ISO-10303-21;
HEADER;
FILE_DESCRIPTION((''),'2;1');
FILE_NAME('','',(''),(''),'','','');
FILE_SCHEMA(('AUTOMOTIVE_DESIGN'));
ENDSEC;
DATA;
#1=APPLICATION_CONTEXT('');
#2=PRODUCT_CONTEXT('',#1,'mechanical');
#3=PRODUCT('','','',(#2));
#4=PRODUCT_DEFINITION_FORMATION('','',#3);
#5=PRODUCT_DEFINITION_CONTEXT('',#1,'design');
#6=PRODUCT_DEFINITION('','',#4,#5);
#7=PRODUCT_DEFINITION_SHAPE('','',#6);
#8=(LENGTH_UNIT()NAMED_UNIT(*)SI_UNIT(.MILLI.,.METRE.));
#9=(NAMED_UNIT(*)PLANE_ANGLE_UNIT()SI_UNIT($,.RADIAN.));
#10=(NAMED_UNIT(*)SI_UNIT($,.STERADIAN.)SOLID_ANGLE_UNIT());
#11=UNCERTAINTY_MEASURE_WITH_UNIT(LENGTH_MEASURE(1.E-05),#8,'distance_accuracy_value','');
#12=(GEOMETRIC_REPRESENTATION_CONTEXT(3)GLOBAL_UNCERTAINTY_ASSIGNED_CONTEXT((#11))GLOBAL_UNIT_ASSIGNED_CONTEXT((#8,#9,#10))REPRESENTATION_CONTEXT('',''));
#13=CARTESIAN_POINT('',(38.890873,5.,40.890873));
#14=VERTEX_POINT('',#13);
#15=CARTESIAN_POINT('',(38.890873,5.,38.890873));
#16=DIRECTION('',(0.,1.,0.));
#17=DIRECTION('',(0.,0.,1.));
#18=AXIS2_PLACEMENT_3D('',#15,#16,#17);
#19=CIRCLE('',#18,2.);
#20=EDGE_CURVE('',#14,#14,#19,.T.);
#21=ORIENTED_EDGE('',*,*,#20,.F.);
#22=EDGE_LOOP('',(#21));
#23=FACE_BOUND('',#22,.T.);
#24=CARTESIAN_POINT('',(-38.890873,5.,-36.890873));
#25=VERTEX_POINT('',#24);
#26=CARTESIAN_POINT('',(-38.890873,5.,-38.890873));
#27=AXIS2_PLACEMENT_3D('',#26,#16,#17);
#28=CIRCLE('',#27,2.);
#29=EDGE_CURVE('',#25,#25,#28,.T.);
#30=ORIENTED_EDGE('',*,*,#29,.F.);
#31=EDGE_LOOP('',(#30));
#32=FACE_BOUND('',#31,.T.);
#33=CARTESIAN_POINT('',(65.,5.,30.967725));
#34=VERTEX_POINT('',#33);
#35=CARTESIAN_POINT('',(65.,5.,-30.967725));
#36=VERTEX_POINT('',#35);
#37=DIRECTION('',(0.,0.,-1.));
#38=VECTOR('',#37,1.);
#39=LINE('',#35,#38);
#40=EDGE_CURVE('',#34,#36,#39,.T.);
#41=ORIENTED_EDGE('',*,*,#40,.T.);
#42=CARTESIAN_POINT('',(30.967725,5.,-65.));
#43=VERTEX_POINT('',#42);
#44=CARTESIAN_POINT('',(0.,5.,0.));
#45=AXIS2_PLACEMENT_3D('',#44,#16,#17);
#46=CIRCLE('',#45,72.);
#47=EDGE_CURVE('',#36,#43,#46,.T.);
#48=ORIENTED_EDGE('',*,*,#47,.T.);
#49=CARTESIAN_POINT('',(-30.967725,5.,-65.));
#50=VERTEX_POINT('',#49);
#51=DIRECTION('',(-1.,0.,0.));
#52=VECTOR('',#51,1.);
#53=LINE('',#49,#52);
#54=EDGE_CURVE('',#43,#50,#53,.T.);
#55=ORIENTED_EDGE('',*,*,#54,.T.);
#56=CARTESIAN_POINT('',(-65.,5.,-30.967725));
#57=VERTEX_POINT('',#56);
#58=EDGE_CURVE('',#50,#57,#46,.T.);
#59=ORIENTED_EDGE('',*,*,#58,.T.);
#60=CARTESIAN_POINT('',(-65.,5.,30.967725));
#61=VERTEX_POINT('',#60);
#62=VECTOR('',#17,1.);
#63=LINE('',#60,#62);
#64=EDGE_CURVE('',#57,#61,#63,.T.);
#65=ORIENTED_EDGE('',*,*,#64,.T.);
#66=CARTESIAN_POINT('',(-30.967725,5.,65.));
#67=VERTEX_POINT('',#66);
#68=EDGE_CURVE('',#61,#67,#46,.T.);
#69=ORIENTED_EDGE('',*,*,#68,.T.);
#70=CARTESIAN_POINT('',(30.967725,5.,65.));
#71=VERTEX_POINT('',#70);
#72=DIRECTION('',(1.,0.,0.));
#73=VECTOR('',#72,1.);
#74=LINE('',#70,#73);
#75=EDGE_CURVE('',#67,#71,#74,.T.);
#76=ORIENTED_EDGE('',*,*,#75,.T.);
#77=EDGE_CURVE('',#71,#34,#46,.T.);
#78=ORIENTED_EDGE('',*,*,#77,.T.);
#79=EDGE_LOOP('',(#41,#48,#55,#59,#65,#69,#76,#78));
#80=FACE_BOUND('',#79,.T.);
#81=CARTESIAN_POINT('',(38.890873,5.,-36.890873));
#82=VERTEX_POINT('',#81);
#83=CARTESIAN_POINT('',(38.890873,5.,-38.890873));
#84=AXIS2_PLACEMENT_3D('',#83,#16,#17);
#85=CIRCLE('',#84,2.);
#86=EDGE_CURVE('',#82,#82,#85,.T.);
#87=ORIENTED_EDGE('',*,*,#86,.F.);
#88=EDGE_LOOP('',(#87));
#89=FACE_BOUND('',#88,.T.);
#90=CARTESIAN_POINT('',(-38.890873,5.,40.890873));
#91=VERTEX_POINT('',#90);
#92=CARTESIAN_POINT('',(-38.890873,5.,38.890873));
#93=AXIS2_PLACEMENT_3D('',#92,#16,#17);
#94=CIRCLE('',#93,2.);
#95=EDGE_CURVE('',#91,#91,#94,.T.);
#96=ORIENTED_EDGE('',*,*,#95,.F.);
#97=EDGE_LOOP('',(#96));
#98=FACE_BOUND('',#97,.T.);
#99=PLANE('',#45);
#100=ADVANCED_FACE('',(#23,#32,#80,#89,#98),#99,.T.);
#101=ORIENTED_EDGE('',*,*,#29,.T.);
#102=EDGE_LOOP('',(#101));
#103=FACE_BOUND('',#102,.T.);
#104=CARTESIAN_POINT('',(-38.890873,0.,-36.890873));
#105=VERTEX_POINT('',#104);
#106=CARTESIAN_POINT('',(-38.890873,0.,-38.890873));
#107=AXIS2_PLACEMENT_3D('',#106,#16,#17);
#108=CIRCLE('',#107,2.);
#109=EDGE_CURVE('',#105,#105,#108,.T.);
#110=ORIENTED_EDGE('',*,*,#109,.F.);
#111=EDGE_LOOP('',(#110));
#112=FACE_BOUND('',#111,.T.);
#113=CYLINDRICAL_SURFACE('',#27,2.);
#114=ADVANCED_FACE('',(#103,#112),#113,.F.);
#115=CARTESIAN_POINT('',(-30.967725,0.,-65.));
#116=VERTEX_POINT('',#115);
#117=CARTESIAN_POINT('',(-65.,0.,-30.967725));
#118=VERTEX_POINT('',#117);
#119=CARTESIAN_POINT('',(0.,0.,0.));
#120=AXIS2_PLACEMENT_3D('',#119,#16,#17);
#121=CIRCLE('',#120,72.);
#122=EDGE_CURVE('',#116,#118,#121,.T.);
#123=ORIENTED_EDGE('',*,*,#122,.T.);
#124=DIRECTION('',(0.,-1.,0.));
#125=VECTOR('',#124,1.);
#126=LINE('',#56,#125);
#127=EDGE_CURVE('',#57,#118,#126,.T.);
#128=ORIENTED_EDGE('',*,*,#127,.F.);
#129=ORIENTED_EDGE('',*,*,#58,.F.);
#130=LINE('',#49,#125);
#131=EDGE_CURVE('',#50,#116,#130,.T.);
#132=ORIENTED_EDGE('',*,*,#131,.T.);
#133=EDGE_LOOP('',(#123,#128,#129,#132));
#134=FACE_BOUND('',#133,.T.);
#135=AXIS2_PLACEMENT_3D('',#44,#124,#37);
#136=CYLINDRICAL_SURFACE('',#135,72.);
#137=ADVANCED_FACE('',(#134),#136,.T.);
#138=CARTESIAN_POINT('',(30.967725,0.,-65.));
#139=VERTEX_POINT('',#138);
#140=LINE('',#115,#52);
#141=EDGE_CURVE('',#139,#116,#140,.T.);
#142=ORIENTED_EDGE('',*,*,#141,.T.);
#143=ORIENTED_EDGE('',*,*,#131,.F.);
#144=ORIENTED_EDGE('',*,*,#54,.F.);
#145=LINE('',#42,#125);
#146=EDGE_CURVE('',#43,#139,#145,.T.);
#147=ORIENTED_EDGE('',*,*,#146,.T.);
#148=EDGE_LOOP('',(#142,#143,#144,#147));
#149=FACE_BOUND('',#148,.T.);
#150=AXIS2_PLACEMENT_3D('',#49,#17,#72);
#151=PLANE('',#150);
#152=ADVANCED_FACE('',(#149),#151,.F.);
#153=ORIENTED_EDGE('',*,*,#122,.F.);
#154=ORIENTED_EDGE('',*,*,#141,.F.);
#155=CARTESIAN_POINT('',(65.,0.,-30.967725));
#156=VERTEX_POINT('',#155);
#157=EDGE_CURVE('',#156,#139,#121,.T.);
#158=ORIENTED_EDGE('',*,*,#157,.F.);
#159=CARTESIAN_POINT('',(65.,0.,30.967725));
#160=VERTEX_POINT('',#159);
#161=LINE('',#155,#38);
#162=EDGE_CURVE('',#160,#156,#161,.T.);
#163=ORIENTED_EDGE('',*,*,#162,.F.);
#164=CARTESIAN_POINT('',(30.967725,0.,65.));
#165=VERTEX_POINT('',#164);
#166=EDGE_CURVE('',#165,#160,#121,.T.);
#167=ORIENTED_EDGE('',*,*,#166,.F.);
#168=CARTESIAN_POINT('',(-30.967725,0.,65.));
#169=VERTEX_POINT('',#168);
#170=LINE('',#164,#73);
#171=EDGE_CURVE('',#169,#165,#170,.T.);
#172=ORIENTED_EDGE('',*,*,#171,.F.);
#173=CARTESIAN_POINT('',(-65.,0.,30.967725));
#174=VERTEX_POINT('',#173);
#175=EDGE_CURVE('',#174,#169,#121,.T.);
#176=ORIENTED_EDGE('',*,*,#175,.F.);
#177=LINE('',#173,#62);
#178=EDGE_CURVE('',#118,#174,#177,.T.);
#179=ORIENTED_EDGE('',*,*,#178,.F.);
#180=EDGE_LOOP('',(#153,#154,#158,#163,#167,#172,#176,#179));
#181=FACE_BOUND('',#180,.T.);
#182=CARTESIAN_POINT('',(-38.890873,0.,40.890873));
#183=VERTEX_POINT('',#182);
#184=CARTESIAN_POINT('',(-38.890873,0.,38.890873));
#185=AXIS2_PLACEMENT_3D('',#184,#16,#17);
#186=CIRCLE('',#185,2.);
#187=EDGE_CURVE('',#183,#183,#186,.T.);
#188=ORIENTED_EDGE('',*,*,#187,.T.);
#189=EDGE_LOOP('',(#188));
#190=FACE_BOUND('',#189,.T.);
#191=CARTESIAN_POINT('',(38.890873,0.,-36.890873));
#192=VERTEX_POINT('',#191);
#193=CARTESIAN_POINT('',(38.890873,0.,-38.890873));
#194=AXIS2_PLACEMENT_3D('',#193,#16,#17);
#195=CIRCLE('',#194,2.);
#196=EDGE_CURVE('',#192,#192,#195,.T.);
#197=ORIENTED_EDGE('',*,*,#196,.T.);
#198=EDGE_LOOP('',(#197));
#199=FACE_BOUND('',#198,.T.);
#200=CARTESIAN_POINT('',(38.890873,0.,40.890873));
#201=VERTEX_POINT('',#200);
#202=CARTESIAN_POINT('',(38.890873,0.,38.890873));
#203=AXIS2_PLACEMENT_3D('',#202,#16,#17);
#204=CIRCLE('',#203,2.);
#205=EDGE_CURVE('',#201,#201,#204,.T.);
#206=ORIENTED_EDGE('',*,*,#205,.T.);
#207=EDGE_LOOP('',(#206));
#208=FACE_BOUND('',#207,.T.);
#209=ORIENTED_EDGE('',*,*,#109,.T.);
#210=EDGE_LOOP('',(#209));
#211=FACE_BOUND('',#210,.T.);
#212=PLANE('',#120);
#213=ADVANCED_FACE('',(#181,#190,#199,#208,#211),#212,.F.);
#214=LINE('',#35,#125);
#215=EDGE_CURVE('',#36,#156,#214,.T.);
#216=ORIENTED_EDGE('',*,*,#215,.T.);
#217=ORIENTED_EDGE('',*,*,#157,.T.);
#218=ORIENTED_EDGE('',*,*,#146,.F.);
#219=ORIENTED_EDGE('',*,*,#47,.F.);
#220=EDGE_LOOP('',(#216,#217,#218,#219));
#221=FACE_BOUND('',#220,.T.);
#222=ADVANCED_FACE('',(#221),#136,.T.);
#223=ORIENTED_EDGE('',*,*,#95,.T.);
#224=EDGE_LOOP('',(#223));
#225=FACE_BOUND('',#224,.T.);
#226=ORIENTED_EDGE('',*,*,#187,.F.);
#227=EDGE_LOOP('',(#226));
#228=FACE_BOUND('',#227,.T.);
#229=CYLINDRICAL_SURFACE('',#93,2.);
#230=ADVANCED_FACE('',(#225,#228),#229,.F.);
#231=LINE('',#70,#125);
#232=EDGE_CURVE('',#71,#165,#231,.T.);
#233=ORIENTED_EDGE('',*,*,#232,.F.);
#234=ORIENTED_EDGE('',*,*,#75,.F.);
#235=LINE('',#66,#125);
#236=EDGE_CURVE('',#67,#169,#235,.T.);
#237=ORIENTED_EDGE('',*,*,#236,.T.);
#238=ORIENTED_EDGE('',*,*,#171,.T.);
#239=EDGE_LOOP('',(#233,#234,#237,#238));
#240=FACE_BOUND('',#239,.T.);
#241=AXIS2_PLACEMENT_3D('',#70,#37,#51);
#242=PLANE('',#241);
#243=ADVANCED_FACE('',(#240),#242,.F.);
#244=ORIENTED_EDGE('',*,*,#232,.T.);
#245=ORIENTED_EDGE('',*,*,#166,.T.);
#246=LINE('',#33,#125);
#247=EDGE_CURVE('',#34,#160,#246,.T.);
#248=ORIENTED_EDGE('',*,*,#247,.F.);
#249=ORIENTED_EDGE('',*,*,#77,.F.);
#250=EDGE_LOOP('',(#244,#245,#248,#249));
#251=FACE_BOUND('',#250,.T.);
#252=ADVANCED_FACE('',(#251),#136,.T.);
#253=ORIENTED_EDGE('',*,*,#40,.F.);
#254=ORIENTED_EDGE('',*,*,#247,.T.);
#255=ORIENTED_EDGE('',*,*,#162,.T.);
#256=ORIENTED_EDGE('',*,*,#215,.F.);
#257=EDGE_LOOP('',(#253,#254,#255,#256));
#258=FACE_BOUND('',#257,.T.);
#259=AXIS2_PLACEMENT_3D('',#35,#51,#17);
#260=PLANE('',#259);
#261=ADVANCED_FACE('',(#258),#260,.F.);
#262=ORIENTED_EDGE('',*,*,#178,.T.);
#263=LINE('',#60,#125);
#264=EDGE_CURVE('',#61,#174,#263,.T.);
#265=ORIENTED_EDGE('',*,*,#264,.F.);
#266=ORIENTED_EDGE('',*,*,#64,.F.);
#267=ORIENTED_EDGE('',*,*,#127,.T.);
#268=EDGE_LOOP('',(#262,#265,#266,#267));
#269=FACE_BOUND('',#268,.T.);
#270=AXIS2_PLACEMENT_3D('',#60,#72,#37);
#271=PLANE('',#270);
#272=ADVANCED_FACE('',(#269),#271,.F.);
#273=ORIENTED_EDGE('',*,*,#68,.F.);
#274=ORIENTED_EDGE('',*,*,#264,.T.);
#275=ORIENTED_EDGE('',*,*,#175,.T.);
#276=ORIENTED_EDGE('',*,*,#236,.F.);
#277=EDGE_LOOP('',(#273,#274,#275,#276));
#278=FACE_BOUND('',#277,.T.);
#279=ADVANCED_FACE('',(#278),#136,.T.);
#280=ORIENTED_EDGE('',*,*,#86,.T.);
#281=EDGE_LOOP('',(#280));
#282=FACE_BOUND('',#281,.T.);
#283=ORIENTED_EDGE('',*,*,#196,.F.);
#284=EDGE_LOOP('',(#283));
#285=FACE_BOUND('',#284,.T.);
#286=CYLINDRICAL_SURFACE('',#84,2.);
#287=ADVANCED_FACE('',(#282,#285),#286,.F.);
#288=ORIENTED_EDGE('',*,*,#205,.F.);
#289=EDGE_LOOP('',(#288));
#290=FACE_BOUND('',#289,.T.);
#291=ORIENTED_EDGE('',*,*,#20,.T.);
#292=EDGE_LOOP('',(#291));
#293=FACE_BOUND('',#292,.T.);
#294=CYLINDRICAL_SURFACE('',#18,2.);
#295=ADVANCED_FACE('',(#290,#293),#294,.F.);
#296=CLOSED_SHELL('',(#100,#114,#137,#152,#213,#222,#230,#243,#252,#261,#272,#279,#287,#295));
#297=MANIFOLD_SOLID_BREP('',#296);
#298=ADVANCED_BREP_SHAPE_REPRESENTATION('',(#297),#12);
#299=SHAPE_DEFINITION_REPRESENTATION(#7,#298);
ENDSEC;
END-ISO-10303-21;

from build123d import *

# Parameters (mm, degrees)
BOSS_EXTRUDE1_DEPTH   = 5
F_4_0MM_DOWEL_HOLE2_D = 4


with BuildPart() as part:
    # Sketch1 → Boss-Extrude1 (new body)
    with BuildSketch(Plane(origin=(0, 0, 0), x_dir=(1, 0, 0), z_dir=(0, 1, 0))):
        with BuildLine():
            Line((65, 30.967725134), (65, -30.967725134))
            ThreePointArc((65, -30.967725134), (50.911688245, -50.911688245), (30.967725134, -65))
            Line((30.967725134, -65), (-30.967725134, -65))
            ThreePointArc((-30.967725134, -65), (-50.911688245, -50.911688245), (-65, -30.967725134))
            Line((-65, -30.967725134), (-65, 30.967725134))
            ThreePointArc((-65, 30.967725134), (-50.911688245, 50.911688245), (-30.967725134, 65))
            Line((-30.967725134, 65), (30.967725134, 65))
            ThreePointArc((30.967725134, 65), (50.911688245, 50.911688245), (65, 30.967725134))
        make_face()
    extrude(amount=BOSS_EXTRUDE1_DEPTH)

    # Ø4.0mm Dowel Hole2 (through all)
    with Locations(Plane(origin=(0, 5, 0), x_dir=(1, 0, 0), z_dir=(0, 1, 0))):
        with Locations((38.890872965, 38.890872965), (38.890872965, -38.890872965), (-38.890872965, -38.890872965), (-38.890872965, 38.890872965)):
            Hole(F_4_0MM_DOWEL_HOLE2_D / 2)


solid = part.part
